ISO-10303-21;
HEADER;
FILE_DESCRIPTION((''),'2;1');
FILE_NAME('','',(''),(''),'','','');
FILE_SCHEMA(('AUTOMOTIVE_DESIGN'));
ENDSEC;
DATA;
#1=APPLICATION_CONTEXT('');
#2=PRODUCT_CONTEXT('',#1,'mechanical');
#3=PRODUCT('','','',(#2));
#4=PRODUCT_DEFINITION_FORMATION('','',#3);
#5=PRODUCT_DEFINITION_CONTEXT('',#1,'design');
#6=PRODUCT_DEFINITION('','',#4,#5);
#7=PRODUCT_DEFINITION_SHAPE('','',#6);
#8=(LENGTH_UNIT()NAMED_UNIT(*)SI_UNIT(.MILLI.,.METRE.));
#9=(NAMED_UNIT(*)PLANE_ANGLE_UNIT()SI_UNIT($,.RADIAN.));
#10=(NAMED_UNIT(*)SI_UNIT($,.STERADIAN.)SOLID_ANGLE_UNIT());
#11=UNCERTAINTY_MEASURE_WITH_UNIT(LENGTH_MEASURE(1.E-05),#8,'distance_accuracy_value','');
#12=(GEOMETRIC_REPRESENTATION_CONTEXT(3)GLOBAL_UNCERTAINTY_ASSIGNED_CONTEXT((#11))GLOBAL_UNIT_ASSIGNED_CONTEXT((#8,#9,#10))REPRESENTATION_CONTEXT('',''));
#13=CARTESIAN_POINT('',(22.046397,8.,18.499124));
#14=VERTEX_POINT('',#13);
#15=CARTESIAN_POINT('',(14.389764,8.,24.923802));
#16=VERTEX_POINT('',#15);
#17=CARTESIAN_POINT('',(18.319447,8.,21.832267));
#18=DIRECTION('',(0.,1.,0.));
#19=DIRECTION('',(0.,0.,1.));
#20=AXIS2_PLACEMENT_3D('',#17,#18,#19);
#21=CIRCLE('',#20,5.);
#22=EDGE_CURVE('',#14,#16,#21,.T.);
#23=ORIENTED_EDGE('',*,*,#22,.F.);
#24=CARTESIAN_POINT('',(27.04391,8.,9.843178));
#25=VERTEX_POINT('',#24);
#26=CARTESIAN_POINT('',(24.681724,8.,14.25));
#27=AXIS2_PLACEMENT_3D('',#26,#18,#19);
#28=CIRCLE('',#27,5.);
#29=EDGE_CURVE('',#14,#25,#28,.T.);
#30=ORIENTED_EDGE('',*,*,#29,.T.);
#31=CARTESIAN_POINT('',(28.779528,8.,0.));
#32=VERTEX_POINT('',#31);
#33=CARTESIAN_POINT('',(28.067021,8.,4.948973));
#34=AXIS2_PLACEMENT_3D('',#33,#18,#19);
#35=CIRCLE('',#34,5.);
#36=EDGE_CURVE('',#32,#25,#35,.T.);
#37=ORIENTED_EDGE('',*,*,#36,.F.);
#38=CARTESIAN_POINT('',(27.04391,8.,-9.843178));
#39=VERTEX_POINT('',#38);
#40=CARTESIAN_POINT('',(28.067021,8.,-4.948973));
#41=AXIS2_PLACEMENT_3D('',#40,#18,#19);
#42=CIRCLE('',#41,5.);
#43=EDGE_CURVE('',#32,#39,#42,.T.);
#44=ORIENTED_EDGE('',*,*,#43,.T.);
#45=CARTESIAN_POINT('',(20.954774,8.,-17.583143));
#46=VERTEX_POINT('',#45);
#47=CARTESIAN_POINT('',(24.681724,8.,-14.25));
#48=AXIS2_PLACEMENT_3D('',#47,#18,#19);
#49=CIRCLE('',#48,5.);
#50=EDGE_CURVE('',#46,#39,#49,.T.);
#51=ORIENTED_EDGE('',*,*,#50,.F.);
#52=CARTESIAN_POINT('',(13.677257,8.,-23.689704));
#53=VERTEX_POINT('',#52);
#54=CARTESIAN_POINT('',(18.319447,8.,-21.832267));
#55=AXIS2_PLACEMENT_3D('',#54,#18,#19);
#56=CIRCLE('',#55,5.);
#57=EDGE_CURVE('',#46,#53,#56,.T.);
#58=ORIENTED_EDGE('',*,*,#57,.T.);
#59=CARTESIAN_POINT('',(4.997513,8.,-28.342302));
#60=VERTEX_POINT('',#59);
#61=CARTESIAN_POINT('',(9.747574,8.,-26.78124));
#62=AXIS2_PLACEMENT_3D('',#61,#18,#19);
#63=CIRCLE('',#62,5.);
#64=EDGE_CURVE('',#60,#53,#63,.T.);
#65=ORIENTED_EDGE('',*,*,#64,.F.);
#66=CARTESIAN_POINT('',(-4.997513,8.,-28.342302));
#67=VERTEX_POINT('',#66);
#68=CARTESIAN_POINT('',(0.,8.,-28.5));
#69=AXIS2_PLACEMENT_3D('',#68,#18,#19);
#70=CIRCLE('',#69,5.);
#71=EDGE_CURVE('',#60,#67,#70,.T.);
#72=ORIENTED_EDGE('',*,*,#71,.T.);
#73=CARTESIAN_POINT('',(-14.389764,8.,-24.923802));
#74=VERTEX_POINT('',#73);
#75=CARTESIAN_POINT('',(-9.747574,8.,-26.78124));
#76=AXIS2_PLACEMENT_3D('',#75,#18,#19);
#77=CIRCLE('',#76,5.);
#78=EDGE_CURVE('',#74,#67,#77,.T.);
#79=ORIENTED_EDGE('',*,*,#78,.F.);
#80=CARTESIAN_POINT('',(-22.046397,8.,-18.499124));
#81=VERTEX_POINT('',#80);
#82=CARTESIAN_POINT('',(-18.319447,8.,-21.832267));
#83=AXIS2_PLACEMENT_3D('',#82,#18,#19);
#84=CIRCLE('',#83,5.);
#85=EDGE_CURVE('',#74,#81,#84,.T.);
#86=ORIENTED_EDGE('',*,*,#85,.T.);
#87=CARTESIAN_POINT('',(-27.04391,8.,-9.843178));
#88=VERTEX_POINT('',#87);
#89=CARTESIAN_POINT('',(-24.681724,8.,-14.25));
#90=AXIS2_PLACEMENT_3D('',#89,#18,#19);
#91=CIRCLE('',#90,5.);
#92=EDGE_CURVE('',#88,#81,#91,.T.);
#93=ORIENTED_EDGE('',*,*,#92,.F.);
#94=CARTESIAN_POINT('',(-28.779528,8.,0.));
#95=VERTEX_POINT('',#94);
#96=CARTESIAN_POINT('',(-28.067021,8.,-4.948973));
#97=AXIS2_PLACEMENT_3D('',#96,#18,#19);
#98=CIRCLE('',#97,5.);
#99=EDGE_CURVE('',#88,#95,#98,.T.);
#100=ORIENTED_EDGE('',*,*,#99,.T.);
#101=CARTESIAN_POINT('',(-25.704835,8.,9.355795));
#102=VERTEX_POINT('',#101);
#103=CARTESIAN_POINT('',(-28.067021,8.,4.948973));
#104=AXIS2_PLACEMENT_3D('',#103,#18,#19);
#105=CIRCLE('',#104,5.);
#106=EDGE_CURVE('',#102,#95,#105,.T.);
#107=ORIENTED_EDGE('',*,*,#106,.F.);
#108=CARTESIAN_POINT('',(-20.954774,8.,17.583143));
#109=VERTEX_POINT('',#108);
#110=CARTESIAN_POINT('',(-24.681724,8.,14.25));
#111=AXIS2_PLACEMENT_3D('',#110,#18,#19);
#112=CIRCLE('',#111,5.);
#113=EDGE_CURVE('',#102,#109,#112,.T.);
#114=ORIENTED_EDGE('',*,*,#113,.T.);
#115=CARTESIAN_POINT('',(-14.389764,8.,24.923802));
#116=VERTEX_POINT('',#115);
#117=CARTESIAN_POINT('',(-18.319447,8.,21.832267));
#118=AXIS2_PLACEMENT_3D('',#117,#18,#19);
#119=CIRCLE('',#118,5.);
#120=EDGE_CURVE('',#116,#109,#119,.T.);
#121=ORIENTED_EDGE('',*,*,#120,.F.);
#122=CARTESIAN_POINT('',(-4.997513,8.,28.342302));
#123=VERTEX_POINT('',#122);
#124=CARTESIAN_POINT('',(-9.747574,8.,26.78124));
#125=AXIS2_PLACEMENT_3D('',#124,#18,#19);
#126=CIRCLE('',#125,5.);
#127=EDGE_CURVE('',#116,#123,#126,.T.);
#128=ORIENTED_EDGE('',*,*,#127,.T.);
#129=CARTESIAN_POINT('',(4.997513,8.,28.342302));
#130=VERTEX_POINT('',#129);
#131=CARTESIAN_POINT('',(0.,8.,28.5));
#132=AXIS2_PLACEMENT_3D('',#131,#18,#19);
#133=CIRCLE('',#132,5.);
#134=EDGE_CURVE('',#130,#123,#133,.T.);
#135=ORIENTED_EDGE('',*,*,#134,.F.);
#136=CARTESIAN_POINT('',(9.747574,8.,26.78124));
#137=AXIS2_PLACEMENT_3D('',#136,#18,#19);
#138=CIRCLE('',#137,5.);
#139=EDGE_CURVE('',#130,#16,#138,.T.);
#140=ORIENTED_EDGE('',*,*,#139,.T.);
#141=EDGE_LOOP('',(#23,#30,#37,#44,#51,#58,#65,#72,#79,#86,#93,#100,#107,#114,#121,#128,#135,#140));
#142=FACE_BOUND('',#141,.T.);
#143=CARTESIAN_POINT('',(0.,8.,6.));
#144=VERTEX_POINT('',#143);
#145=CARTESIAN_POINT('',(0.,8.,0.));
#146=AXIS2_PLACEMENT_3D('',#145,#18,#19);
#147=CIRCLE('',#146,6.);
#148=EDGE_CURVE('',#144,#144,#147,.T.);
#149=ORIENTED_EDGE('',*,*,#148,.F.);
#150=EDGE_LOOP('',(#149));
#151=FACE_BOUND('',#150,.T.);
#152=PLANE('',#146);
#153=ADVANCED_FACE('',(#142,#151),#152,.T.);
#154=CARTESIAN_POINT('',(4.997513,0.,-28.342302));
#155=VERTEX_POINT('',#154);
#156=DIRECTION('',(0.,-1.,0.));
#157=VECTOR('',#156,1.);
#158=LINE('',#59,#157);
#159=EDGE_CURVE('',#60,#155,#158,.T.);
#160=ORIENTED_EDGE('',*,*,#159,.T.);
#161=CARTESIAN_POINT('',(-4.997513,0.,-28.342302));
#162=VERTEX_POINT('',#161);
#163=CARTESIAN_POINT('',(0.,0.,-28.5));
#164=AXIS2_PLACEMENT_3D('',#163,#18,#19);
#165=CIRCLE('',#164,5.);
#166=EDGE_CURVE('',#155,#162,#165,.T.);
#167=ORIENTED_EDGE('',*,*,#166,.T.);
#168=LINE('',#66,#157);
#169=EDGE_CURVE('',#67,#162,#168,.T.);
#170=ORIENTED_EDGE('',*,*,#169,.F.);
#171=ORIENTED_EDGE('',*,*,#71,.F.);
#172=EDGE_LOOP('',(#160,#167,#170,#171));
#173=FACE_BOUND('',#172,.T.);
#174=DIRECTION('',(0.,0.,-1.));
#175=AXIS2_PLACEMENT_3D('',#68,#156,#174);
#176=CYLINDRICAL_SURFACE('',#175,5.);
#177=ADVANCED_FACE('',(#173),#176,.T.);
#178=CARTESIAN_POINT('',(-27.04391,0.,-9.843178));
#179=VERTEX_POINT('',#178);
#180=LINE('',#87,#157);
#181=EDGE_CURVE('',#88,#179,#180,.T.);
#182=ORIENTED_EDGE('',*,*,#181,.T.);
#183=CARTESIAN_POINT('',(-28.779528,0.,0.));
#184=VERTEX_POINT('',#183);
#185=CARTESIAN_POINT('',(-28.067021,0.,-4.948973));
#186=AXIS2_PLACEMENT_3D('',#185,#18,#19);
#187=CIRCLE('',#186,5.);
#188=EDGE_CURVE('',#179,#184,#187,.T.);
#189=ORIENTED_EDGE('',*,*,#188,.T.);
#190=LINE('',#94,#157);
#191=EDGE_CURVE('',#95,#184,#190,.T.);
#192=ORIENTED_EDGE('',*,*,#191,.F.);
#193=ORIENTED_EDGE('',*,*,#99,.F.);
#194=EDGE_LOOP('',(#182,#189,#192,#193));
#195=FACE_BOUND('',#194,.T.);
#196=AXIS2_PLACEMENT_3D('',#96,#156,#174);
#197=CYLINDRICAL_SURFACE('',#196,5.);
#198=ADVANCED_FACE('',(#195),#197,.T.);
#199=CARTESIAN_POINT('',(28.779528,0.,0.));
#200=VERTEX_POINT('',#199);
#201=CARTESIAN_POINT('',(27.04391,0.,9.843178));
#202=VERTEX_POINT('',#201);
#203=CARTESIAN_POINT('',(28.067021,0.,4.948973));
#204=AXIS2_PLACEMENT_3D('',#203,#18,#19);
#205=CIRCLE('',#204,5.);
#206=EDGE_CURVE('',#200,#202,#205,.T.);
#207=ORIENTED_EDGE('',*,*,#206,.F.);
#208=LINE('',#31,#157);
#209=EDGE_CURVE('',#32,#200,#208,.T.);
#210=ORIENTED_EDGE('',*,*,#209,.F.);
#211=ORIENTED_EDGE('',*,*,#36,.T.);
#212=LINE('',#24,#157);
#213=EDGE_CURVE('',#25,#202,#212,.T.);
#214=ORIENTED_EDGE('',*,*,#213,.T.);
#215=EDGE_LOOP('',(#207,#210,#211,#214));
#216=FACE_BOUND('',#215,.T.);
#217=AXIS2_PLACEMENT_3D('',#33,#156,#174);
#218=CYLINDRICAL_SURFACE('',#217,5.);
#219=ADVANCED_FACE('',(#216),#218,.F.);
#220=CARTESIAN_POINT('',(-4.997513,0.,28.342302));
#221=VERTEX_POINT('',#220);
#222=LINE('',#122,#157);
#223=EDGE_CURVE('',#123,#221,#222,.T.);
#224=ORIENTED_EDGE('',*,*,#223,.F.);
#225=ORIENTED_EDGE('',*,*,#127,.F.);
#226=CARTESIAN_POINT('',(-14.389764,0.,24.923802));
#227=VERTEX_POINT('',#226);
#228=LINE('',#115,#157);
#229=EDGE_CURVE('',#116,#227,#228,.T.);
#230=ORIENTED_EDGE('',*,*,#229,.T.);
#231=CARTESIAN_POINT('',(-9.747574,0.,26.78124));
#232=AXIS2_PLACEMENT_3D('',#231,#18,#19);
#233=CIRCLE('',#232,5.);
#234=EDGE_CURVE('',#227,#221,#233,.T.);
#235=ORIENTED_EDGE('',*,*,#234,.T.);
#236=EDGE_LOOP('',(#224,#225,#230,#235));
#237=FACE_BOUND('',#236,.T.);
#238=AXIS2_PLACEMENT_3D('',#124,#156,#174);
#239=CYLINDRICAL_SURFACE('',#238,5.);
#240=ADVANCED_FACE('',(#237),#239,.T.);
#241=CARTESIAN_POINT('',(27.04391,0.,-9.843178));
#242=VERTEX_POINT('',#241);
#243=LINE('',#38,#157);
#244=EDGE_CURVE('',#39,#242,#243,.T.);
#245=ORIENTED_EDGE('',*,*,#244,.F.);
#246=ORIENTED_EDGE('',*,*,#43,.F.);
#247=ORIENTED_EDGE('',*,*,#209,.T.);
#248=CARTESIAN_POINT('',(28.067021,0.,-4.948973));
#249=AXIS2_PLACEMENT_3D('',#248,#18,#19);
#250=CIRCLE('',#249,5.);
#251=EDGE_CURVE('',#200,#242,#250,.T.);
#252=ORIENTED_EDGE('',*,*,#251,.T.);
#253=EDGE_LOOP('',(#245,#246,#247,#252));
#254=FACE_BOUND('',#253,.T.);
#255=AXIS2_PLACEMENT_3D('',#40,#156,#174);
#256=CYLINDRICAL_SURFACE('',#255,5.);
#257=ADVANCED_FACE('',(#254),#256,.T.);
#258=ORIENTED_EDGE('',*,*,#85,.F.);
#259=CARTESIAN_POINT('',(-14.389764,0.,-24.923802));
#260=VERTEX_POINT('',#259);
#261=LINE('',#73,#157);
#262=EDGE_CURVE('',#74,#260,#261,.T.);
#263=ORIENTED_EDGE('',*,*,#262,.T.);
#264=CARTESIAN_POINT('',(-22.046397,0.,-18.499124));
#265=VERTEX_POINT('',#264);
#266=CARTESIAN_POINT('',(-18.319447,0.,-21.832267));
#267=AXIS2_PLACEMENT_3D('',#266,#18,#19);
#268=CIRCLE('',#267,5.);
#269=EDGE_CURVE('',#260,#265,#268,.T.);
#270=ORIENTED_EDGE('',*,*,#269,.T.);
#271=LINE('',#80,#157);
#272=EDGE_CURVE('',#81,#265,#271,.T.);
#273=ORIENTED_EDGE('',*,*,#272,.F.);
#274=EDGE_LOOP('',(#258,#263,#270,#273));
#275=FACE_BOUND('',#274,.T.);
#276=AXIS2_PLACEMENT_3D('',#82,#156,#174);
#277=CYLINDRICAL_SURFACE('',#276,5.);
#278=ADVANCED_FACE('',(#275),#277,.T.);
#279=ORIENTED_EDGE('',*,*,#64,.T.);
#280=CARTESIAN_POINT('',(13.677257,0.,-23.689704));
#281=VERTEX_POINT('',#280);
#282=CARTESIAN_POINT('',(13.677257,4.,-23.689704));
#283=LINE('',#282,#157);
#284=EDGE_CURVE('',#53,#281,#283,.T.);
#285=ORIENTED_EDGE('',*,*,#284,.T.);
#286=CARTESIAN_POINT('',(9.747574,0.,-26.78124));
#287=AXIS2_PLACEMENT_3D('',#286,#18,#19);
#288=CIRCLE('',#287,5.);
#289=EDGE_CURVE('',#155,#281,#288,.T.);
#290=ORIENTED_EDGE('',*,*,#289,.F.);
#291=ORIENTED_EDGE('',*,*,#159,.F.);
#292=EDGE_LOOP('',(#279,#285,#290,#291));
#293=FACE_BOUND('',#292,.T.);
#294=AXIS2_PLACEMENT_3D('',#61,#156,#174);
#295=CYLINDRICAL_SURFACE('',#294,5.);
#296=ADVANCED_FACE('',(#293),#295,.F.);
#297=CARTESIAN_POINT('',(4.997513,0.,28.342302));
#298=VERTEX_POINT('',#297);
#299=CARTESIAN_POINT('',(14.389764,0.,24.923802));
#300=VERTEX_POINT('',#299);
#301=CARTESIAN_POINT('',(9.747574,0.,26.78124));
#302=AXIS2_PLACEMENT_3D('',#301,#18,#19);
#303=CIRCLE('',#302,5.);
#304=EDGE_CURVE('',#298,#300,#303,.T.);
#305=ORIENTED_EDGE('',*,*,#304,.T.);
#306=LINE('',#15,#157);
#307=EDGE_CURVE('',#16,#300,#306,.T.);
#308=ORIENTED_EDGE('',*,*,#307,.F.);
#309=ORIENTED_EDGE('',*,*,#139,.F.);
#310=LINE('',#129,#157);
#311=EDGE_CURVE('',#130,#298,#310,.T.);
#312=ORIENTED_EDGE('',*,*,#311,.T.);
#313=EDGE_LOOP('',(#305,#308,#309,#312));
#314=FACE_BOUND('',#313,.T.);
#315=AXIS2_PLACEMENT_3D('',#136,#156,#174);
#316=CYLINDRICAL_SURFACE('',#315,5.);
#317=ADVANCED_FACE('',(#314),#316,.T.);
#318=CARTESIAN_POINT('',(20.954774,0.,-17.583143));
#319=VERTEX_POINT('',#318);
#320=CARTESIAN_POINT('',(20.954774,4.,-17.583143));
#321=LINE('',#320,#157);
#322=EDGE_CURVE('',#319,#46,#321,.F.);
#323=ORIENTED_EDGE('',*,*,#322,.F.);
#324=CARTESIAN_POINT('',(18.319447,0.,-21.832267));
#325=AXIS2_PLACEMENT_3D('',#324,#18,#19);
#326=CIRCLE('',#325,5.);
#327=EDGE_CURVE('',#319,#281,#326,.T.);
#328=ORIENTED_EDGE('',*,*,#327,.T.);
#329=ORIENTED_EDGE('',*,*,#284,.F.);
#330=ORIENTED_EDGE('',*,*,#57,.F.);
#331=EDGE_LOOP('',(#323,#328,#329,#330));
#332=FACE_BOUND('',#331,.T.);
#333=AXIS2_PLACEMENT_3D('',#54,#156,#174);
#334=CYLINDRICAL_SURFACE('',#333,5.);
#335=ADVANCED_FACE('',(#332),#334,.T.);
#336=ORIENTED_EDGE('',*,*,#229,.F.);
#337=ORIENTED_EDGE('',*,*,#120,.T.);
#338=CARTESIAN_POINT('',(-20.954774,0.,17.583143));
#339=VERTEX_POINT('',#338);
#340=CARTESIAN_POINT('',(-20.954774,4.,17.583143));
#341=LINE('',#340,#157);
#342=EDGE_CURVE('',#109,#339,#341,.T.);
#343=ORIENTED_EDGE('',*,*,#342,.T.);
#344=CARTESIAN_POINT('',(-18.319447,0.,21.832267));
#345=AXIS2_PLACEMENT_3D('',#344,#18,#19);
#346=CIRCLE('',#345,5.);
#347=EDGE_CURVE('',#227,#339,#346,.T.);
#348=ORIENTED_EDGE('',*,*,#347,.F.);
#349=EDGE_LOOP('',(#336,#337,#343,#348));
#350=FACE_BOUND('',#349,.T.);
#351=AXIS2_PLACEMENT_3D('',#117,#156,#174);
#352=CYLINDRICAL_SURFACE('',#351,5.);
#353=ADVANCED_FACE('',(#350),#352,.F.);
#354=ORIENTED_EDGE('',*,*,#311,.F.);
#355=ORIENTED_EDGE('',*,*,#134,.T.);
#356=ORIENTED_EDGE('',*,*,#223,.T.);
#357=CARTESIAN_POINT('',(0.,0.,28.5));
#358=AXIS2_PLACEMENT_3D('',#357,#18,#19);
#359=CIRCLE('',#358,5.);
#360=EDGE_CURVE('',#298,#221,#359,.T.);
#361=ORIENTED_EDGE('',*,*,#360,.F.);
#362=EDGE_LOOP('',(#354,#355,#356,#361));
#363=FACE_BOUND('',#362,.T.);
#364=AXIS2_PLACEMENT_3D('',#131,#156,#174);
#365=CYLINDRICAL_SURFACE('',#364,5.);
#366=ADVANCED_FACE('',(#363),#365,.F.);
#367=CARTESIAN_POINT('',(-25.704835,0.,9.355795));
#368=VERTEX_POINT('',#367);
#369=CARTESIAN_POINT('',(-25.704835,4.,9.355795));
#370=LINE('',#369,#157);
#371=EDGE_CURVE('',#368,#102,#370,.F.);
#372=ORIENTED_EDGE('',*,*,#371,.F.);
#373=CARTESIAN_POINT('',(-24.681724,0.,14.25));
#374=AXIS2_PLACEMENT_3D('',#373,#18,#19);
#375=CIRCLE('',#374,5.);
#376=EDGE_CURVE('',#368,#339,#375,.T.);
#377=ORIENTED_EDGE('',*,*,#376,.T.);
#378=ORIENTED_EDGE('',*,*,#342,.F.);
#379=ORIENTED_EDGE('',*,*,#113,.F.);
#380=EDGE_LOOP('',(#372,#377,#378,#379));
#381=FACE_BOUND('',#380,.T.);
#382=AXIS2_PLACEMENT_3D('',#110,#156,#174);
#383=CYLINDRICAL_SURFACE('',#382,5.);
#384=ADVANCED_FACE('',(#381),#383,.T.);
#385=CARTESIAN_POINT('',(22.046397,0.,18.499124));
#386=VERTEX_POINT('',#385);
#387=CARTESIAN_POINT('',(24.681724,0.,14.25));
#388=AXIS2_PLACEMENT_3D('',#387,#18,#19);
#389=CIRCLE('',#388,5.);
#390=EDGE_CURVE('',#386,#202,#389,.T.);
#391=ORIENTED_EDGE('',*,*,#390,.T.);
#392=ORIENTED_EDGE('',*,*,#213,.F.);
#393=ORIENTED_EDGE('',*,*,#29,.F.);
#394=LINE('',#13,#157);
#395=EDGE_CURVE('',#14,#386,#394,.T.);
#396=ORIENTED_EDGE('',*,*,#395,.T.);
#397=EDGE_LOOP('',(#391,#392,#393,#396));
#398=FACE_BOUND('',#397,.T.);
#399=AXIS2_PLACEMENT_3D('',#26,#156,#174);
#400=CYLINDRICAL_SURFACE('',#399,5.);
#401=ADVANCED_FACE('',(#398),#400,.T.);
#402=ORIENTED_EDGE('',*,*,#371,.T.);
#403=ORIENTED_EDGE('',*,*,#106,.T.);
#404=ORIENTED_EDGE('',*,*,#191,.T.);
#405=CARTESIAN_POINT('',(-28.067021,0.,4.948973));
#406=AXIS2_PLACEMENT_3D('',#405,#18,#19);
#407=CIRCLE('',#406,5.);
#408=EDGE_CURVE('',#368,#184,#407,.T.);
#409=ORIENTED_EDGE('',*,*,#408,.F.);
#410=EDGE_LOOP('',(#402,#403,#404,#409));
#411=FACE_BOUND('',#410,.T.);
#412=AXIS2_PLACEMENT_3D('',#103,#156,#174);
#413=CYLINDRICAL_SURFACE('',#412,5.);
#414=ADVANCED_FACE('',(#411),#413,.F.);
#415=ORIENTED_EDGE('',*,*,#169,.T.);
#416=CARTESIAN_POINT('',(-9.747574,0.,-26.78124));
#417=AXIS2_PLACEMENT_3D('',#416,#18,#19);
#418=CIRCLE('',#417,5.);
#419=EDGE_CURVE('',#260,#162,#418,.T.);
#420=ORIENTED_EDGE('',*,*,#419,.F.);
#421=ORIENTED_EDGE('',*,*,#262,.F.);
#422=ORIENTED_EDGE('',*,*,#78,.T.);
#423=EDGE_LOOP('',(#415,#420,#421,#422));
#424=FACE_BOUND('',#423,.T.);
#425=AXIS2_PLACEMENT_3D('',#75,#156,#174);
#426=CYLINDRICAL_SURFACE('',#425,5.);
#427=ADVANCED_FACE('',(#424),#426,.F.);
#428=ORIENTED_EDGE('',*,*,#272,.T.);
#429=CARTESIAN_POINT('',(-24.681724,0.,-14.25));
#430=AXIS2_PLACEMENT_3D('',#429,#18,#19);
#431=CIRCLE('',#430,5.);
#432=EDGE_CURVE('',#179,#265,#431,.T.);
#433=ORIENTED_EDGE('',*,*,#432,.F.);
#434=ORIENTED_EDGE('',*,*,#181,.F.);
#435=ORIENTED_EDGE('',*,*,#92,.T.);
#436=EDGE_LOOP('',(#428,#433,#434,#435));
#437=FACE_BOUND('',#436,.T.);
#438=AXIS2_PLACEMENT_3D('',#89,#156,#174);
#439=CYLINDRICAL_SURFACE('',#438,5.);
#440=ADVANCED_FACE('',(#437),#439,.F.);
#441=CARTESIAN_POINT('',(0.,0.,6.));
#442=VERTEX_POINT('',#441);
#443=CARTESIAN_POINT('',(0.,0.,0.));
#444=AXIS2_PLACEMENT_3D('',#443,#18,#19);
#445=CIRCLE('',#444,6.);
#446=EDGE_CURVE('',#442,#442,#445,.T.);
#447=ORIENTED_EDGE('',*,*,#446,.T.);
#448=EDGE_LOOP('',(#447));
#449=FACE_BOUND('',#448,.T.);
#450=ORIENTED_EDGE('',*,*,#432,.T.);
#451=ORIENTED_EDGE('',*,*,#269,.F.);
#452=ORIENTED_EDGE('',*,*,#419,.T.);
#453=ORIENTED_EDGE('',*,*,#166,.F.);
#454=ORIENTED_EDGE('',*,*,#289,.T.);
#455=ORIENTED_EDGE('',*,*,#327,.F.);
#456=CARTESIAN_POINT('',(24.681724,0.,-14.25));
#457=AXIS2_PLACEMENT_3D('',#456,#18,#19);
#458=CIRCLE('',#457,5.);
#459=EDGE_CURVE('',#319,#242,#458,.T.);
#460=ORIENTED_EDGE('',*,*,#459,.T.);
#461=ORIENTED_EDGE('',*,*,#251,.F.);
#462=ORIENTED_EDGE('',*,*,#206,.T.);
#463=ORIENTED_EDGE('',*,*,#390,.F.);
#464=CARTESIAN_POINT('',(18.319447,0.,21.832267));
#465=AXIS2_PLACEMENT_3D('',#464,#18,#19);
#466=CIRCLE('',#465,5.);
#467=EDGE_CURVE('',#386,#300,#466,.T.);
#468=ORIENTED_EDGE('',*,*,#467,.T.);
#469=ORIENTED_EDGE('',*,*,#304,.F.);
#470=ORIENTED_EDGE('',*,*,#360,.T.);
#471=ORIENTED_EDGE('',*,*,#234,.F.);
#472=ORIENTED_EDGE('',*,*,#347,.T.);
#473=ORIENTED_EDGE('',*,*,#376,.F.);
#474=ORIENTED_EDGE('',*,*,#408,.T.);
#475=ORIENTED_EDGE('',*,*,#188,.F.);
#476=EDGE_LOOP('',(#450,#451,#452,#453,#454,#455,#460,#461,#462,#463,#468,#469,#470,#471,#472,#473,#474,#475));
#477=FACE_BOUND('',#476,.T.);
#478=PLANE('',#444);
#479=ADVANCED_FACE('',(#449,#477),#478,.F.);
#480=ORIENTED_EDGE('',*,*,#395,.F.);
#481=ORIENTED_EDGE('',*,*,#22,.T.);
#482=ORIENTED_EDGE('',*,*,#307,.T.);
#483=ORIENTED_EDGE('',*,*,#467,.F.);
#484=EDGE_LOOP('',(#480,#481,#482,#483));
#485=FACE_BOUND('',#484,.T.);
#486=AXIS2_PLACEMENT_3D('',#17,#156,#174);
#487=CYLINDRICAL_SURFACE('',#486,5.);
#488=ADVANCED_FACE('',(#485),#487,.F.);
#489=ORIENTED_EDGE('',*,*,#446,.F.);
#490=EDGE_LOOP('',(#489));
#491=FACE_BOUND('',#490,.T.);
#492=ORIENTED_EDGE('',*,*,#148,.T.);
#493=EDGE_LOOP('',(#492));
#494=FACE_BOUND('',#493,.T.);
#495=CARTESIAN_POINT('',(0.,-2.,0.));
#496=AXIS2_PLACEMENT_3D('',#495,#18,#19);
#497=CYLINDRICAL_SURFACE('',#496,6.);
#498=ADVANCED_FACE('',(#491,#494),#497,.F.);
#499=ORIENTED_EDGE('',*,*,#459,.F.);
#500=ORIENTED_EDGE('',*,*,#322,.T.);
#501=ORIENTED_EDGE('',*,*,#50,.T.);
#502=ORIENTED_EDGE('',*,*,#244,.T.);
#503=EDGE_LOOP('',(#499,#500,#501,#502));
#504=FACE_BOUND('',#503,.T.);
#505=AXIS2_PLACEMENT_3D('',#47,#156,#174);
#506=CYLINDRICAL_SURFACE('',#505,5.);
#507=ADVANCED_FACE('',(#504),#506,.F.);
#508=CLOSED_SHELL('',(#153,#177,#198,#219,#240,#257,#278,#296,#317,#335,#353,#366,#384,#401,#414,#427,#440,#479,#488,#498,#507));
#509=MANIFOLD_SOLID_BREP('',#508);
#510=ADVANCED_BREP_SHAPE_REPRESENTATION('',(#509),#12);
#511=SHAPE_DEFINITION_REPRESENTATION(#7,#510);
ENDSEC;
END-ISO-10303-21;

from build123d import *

# Parameters (mm, degrees)
BOSS_EXTRUDE2_DEPTH = 8
SKETCH2_R           = 6
CUT_EXTRUDE1_DEPTH  = 10


with BuildPart() as part:
    # Sketch1 → Boss-Extrude2 (new body)
    with BuildSketch(Plane(origin=(0, 0, 0), x_dir=(1, 0, 0), z_dir=(0, 1, 0))):
        with BuildLine():
            ThreePointArc((28.779527534, 0), (32.991059726, 5.817213952), (27.043909653, 9.843178132))
            ThreePointArc((27.043909653, 9.843178132), (20.752040899, 11.158464676), (20.954773741, 17.583142917))
            ThreePointArc((20.954773741, 17.583142917), (21.533384924, 25.662488844), (13.677257194, 23.689704368))
            ThreePointArc((13.677257194, 23.689704368), (7.385388439, 22.374417824), (4.99751251, 28.342301843))
            ThreePointArc((4.99751251, 28.342301843), (0, 33.5), (-4.99751251, 28.342301843))
            ThreePointArc((-4.99751251, 28.342301843), (-8.037473368, 22.082776588), (-14.389763767, 24.923801953))
            ThreePointArc((-14.389763767, 24.923801953), (-21.533384924, 25.662488844), (-22.046397143, 18.499123711))
            ThreePointArc((-22.046397143, 18.499123711), (-20.351596989, 11.75), (-27.043909653, 9.843178132))
            ThreePointArc((-27.043909653, 9.843178132), (-32.991059726, 5.817213952), (-28.779527534, 0))
            ThreePointArc((-28.779527534, 0), (-23.316959386, -3.387910912), (-25.704835315, -9.355794932))
            ThreePointArc((-25.704835315, -9.355794932), (-29.011851027, -16.75), (-20.954773741, -17.583142917))
            ThreePointArc((-20.954773741, -17.583142917), (-14.592496609, -18.499123711), (-14.389763767, -24.923801953))
            ThreePointArc((-14.389763767, -24.923801953), (-11.457674801, -31.479702796), (-4.99751251, -28.342301843))
            ThreePointArc((-4.99751251, -28.342301843), (0, -23.5), (4.99751251, -28.342301843))
            ThreePointArc((4.99751251, -28.342301843), (11.457674801, -31.479702796), (14.389763767, -24.923801953))
            ThreePointArc((14.389763767, -24.923801953), (15.105508828, -18.002044413), (22.046397143, -18.499123711))
            ThreePointArc((22.046397143, -18.499123711), (29.011851027, -16.75), (27.043909653, -9.843178132))
            ThreePointArc((27.043909653, -9.843178132), (23.142982196, -4.080732175), (28.779527534, 0))
        make_face()
    extrude(amount=BOSS_EXTRUDE2_DEPTH)

    # Sketch2 → Cut-Extrude1 (cut)
    with BuildSketch(Plane(origin=(0, 8, 0), x_dir=(1, 0, 0), z_dir=(0, 1, 0))):
        Circle(SKETCH2_R)
    extrude(amount=-CUT_EXTRUDE1_DEPTH, mode=Mode.SUBTRACT)


solid = part.part
